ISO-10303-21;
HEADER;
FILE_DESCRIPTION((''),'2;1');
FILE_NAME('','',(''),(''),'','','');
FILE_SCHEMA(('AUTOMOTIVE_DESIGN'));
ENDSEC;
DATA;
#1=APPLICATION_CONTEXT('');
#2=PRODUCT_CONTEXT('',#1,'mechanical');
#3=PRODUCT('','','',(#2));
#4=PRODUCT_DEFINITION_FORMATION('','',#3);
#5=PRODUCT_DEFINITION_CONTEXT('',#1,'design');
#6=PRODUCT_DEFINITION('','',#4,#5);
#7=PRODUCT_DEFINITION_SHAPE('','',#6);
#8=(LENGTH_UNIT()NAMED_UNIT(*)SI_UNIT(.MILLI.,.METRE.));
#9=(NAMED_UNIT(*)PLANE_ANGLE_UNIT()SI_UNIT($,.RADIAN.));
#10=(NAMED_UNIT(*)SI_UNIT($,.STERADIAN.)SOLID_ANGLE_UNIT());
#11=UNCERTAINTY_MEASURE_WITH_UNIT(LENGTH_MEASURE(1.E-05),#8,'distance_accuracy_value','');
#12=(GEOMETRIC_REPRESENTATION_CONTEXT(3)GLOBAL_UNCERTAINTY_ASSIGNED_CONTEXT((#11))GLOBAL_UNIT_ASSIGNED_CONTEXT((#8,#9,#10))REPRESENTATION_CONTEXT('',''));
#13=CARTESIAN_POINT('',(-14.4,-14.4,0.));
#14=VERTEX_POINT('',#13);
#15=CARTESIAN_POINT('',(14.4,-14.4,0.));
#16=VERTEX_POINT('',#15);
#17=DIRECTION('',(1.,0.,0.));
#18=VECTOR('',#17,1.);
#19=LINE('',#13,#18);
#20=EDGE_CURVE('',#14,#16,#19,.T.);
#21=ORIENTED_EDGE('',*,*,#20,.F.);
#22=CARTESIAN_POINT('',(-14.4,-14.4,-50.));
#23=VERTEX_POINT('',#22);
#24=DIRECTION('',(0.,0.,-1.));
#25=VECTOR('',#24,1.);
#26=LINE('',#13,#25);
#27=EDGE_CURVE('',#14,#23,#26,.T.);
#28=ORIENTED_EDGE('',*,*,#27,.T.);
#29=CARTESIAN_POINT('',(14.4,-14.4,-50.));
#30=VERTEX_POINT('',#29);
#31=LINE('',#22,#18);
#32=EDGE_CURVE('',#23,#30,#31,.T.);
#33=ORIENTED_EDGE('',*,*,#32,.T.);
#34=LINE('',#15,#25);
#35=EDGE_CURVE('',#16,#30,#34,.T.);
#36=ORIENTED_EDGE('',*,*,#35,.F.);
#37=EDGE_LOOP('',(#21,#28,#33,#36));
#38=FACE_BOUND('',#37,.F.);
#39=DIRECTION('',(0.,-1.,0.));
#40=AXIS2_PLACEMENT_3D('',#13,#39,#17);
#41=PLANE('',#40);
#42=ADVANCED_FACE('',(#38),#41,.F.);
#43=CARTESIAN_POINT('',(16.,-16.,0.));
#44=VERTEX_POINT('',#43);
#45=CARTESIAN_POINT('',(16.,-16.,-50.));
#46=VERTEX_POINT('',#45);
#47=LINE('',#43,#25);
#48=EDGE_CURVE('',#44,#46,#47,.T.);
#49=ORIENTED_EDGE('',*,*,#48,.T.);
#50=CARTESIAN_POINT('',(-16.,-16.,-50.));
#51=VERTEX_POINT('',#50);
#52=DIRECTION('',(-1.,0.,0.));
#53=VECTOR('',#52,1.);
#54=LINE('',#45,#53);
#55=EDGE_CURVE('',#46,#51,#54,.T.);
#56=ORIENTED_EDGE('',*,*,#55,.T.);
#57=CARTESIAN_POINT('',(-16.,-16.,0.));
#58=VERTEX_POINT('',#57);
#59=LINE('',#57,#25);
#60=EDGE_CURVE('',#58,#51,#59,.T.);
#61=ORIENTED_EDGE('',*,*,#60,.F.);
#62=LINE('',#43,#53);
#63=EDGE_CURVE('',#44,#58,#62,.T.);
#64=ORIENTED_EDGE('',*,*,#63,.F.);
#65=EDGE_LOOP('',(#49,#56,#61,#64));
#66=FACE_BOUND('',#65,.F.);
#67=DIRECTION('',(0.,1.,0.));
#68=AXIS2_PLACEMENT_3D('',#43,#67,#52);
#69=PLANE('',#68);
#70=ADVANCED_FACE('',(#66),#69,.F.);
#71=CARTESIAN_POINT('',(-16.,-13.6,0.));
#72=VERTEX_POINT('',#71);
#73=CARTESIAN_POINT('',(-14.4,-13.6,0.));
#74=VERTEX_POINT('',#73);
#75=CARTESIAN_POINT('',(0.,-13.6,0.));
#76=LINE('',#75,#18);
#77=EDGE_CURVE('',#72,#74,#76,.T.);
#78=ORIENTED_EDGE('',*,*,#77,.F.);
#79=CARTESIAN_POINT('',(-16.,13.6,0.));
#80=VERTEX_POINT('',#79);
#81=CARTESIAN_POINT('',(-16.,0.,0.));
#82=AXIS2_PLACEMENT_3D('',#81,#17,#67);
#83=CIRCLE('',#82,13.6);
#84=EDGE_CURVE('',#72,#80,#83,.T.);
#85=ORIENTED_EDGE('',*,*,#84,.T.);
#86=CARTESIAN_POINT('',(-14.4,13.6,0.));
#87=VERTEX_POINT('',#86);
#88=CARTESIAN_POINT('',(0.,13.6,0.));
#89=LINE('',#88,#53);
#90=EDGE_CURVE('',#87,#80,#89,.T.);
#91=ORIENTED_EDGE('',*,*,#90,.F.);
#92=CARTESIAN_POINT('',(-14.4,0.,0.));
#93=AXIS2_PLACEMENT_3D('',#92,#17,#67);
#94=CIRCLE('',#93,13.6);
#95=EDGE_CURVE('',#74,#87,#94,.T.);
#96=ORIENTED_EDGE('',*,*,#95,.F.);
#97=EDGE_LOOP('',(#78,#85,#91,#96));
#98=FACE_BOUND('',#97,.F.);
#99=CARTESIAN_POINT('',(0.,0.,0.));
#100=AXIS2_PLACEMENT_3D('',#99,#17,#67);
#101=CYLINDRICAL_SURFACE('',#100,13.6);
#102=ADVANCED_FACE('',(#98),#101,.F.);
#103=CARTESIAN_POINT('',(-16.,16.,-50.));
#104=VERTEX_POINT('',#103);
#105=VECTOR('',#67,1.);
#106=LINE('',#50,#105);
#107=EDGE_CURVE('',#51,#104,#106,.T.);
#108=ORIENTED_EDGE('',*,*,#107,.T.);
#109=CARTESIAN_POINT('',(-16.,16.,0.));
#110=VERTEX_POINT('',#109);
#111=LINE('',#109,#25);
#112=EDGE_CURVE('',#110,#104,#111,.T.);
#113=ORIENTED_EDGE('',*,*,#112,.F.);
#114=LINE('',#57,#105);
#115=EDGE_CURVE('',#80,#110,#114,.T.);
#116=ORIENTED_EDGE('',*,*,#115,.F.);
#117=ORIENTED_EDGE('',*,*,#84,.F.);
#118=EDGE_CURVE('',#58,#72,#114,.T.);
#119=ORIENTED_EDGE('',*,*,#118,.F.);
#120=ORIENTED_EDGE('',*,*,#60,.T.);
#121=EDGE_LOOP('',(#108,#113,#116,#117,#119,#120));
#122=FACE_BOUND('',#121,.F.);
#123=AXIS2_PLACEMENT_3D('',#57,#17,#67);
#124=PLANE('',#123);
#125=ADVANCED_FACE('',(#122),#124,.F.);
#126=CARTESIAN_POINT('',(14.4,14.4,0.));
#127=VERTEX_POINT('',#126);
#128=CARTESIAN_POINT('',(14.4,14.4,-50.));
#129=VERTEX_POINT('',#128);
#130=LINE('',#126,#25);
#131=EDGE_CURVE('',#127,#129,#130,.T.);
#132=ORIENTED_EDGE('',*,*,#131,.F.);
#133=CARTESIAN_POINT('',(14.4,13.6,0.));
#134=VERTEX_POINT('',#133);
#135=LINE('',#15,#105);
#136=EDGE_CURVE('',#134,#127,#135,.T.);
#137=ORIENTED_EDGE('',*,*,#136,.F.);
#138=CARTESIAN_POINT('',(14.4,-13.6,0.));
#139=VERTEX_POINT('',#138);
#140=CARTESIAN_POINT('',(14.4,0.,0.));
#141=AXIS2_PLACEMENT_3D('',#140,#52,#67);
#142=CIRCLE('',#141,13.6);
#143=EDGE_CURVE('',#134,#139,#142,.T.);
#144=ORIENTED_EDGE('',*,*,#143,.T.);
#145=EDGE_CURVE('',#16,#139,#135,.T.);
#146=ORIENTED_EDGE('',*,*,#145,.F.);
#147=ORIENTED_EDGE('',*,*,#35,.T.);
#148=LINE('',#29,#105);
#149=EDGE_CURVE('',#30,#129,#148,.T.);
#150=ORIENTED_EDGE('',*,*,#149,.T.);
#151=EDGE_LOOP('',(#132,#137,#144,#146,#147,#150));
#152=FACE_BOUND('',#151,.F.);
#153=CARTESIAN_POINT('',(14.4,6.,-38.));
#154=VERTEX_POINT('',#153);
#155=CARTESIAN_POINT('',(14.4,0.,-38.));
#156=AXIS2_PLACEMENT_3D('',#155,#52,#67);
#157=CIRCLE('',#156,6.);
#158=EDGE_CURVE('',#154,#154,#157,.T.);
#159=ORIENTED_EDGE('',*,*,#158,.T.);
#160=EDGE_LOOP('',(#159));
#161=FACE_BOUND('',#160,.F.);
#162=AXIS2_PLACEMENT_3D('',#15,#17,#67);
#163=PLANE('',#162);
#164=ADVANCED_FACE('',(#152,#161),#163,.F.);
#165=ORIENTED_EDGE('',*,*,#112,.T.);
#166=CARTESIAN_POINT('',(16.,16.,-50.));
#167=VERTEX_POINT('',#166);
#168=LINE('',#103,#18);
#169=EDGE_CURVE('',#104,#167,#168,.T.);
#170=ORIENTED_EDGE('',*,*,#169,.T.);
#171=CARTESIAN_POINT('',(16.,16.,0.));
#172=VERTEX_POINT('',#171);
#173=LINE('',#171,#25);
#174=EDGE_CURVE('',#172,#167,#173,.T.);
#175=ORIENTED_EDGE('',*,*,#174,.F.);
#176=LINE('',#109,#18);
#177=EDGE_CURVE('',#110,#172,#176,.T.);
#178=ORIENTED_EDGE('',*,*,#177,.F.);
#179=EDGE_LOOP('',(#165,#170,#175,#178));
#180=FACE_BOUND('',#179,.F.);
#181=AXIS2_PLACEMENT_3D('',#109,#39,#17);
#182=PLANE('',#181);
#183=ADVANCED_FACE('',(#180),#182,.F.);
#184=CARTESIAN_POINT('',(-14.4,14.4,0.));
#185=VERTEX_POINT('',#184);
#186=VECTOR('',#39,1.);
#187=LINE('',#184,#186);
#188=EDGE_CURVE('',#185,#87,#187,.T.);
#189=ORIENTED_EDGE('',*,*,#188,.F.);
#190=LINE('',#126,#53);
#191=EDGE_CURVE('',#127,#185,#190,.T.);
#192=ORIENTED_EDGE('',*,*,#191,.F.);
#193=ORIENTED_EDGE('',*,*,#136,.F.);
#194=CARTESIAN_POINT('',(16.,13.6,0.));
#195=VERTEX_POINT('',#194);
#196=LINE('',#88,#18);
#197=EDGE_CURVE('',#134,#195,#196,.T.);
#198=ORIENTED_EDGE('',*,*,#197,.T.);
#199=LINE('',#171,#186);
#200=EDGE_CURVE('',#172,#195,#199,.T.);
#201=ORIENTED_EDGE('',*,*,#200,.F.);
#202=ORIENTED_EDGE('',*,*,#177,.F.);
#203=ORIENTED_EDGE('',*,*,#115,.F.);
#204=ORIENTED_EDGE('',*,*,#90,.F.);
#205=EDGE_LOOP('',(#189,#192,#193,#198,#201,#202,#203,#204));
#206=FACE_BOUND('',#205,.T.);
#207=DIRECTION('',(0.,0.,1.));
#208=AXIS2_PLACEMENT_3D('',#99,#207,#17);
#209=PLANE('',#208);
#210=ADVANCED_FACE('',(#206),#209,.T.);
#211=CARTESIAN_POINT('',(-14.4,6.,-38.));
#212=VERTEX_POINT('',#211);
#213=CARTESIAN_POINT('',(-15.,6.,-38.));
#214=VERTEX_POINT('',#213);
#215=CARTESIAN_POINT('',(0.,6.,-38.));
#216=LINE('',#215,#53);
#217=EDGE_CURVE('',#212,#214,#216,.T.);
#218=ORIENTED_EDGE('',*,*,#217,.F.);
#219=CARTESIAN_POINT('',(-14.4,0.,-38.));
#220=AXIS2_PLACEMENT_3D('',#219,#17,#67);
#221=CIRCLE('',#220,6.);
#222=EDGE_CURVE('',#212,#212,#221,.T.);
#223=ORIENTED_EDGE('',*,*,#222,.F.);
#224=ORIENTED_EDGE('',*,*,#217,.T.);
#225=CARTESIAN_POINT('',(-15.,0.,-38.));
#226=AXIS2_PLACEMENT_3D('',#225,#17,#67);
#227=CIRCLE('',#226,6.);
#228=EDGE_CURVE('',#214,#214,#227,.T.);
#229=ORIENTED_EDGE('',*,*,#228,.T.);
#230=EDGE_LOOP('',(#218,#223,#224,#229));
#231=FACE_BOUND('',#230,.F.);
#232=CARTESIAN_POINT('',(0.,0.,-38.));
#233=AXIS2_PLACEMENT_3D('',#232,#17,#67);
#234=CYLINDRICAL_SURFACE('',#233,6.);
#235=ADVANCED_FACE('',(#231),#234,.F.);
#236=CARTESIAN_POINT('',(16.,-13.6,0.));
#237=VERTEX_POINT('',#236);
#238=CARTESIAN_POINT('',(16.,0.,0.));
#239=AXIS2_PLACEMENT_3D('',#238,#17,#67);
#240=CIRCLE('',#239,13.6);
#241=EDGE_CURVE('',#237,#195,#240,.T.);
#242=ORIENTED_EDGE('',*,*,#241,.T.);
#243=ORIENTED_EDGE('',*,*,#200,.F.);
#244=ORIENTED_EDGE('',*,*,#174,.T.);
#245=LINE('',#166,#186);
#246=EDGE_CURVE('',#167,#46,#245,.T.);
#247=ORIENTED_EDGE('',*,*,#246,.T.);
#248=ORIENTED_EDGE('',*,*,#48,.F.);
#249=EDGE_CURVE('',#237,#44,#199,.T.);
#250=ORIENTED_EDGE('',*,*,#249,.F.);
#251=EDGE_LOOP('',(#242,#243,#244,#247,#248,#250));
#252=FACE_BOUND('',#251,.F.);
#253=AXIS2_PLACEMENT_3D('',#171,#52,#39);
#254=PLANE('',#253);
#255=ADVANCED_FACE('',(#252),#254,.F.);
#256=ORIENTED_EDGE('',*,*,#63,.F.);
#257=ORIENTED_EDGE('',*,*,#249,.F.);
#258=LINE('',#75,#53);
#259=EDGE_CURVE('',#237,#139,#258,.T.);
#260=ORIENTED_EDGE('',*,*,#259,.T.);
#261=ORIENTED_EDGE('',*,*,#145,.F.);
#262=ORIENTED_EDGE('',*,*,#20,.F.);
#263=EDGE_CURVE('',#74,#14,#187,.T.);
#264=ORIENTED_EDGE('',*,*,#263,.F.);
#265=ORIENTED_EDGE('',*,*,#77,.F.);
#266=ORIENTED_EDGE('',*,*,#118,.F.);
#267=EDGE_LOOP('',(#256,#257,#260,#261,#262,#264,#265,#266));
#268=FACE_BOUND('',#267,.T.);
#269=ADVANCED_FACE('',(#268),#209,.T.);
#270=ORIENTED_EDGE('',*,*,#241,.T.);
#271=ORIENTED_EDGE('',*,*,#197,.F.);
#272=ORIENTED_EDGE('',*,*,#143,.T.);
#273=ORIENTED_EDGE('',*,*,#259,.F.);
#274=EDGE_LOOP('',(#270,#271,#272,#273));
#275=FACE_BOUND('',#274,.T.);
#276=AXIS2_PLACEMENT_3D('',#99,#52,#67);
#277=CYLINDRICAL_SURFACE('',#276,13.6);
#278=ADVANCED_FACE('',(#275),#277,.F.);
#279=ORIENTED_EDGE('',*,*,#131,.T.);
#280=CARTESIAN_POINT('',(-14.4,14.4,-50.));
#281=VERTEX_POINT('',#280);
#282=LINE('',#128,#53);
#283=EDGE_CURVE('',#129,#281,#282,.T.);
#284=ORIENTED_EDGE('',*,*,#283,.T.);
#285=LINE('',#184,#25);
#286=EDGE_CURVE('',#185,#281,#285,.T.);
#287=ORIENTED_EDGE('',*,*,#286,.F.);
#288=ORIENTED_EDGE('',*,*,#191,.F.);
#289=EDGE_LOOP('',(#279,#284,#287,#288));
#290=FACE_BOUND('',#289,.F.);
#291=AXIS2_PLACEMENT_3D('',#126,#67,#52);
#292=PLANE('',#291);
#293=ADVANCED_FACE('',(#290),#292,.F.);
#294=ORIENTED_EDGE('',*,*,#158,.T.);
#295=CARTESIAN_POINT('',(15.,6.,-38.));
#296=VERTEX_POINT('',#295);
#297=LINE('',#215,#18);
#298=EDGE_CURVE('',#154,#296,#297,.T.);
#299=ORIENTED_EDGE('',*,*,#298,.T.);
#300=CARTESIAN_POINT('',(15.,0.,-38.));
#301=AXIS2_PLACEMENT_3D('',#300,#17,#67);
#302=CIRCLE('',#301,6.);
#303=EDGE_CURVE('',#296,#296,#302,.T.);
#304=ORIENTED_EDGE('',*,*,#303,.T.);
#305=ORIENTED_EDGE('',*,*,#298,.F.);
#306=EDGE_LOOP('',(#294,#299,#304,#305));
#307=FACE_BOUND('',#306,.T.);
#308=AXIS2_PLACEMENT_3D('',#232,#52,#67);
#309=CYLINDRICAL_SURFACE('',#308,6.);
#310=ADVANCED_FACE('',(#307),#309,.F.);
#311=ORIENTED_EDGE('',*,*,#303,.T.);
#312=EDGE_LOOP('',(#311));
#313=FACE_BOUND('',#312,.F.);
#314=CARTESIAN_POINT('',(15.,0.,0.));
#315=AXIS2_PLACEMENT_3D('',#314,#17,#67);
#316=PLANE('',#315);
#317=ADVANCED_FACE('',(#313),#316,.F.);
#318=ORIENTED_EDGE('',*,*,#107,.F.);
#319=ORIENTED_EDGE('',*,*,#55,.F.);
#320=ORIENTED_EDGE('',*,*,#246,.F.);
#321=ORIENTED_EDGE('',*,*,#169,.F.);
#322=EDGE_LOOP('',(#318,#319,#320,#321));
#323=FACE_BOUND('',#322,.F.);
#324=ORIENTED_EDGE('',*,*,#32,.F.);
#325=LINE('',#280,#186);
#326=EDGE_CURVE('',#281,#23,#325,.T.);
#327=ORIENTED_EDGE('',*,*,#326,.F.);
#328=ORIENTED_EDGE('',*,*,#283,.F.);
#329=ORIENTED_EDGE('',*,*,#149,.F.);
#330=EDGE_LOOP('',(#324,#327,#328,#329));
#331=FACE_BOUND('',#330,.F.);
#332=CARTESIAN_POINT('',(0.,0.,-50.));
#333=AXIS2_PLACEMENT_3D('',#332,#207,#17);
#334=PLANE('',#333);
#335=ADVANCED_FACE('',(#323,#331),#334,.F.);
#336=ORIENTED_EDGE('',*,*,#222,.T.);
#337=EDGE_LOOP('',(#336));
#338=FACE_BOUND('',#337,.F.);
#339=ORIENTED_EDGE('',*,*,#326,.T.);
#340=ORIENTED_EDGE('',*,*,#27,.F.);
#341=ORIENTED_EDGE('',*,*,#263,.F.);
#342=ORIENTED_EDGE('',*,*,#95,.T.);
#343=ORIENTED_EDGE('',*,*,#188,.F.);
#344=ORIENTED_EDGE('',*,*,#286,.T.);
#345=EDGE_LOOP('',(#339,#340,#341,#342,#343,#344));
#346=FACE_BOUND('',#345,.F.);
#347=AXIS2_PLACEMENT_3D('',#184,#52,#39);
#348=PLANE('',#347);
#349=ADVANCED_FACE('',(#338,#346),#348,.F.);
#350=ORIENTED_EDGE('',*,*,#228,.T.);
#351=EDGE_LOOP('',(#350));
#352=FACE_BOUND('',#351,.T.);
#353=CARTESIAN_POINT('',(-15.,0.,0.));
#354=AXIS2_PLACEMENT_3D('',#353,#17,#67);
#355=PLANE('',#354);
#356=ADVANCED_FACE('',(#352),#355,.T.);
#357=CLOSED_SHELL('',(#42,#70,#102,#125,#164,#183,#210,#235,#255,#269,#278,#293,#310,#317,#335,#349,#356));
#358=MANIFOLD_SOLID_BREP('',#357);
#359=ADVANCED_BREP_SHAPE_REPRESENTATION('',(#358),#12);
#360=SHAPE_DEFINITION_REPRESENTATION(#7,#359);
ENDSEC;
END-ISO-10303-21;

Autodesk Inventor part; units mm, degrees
ref_plane "YZ Plane" through (0, 0, 0) normal (1, 0, 0) x (0, 1, 0)
ref_plane "XZ Plane" through (0, 0, 0) normal (0, 1, 0) x (-1, 0, 0)
ref_plane "XY Plane" through (0, 0, 0) normal (0, 0, 1) x (1, 0, 0)
sketch "スケッチ5" plane through (0, 0, 0) normal (0, 0, 1) x (1, 0, 0)
  line L0 (-16, 16) -> (16, 16)
  line L1 (16, 16) -> (16, -16)
  line L2 (16, -16) -> (-16, -16)
  line L3 (-16, -16) -> (-16, 16)
  line L4 (-16, 16) -> (16, -16) construction
  line L5 (16, 16) -> (-16, -16) construction
  line L6 (14.4, 14.4) -> (-14.4, 14.4)
  line L7 (-14.4, 14.4) -> (-14.4, -14.4)
  line L8 (-14.4, -14.4) -> (14.4, -14.4)
  line L9 (14.4, -14.4) -> (14.4, 14.4)
  point P0 (0, 0)
  dimension "d15" = 32
  dimension "d16" = 32
  dimension "d17" = 1.6
extrude "押し出し3" add sketch "スケッチ5" against normal blind 50
sketch "スケッチ6" plane through (0, 0, 0) normal (1, 0, 0) x (0, 1, 0)
  circle A0 centre (0, 0) radius 13.6
  dimension "d20" = 27.2
extrude "押し出し4" cut sketch "スケッチ6" along normal mid plane 32
sketch "スケッチ7" plane through (0, 0, 0) normal (1, 0, 0) x (0, 1, 0)
  line L0 (16, -50) -> (-16, -50) projected
  circle A0 centre (0, -38) radius 6
  point P0 (0, 0)
  dimension "d23" = 12
  dimension "d24" = 12
extrude "押し出し5" cut sketch "スケッチ7" along normal mid plane 30
properties part number "左右に飛び出すパイプ"
